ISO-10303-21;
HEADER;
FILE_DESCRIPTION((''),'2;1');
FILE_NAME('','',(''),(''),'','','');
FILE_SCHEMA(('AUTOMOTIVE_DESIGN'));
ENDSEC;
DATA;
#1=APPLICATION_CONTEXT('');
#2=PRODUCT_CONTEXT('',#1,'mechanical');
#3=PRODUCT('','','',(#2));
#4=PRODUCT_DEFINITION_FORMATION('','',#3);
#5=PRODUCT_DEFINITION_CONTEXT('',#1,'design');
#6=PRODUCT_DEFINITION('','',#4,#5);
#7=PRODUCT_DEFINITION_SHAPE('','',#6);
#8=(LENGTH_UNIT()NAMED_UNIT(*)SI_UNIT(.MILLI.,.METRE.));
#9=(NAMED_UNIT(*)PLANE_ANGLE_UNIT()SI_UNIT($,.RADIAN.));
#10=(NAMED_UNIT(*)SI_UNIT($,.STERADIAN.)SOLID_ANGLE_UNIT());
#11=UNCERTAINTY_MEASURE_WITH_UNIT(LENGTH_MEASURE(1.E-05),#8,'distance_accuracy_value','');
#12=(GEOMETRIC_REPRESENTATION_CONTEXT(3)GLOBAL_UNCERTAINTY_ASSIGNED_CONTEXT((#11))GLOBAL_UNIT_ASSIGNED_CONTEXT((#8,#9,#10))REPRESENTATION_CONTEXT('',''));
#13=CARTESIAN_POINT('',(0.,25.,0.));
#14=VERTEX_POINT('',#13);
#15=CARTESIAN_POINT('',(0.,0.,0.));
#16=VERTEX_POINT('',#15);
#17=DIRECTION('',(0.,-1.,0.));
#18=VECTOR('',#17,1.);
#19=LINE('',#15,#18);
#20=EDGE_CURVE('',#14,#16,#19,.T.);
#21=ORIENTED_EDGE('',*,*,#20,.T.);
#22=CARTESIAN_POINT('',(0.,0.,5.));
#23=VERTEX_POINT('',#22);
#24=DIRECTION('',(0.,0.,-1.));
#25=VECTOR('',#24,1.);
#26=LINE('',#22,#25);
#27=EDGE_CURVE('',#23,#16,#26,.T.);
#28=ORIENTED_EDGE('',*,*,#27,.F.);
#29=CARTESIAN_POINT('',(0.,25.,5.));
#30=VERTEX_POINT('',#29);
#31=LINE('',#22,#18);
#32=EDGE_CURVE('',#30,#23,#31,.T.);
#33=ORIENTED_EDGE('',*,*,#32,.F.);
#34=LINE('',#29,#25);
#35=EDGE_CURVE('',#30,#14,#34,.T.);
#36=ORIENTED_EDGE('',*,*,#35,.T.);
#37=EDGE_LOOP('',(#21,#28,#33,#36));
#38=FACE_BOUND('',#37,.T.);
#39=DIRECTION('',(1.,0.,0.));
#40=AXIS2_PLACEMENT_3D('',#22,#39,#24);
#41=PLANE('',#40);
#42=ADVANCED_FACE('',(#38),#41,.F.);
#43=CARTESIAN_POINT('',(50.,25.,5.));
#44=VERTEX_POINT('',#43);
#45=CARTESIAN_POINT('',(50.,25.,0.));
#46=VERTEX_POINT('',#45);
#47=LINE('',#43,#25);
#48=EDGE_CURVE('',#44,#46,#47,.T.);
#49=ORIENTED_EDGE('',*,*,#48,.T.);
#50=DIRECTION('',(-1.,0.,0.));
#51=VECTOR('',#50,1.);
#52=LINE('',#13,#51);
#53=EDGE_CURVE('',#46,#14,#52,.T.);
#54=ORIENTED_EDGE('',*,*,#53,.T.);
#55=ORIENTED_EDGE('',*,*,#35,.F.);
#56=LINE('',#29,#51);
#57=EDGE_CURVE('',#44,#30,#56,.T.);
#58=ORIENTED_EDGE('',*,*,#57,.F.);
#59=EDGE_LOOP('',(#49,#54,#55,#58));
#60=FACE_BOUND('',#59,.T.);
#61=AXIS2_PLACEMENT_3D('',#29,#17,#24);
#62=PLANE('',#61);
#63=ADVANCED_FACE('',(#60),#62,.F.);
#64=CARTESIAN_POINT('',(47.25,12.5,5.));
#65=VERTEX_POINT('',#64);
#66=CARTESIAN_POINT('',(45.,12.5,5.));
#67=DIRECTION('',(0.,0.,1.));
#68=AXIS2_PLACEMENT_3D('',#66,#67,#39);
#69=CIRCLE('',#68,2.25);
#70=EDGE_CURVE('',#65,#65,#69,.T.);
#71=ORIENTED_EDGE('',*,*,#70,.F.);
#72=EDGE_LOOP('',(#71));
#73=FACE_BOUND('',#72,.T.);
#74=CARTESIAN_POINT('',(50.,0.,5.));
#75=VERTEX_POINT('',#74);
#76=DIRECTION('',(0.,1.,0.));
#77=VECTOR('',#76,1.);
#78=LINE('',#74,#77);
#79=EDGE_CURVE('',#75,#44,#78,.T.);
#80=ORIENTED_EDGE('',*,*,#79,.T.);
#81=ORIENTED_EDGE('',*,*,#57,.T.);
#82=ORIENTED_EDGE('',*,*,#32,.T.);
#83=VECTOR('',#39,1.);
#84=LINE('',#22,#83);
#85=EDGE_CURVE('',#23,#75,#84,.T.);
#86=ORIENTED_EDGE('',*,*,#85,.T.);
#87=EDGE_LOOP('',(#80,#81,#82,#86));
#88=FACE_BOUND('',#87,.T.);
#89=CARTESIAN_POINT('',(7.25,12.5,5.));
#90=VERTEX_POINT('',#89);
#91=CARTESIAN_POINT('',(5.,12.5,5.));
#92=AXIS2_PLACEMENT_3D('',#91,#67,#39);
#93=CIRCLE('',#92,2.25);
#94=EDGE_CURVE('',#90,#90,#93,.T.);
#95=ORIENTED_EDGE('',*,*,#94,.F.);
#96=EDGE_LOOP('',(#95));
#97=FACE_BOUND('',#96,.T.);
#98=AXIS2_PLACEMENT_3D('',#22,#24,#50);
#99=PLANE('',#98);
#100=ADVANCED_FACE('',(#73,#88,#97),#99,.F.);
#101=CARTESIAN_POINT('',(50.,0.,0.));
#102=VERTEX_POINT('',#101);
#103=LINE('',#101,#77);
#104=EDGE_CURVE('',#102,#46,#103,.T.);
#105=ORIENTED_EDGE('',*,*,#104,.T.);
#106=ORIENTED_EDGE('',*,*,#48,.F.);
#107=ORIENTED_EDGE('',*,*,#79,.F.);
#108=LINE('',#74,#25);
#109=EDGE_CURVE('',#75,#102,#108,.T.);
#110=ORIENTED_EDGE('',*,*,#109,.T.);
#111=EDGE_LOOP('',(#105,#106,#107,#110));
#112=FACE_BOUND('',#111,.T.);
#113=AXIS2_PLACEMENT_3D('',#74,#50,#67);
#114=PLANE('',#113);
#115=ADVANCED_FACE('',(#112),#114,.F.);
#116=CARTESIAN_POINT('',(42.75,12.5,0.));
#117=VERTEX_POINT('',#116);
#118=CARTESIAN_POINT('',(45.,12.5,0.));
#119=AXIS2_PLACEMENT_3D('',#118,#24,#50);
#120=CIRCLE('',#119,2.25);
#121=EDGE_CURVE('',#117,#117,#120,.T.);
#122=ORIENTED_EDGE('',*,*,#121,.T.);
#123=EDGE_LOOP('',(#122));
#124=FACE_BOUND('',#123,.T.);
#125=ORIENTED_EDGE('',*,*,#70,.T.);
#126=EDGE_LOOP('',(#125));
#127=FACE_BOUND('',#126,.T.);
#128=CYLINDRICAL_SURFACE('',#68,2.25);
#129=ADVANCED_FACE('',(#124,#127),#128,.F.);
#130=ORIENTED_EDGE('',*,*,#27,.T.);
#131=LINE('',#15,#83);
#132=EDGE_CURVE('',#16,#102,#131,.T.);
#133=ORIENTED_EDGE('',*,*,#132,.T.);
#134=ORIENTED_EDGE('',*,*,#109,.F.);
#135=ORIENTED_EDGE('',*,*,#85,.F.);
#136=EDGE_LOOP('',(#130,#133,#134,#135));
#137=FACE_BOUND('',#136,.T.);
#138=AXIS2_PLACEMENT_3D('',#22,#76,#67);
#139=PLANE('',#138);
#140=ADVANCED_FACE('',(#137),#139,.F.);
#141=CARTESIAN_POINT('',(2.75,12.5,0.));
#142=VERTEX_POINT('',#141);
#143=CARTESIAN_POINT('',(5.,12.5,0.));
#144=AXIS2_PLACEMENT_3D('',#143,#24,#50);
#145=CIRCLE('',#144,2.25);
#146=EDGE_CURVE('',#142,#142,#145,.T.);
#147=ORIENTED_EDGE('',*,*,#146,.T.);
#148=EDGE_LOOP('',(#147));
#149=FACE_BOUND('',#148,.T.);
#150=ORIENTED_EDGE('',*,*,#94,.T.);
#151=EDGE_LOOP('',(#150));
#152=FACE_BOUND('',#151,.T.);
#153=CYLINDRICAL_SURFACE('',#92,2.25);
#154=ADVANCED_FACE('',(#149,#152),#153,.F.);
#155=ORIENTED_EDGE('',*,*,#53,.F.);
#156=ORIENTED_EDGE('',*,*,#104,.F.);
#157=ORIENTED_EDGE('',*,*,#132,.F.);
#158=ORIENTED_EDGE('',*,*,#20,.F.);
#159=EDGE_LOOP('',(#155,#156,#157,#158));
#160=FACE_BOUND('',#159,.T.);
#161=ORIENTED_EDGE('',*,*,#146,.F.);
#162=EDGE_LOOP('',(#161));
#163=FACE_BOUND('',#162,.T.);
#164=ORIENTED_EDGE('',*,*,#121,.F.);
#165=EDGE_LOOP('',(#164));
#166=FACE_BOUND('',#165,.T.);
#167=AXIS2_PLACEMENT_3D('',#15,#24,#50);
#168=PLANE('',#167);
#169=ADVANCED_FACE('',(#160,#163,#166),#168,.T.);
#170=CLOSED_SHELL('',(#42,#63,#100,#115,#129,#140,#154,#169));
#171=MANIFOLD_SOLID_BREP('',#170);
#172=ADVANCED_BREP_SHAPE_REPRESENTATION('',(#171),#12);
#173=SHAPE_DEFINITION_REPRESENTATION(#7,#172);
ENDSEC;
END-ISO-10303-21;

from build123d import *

# Parameters (mm, degrees)
SKETCH1_W            = 50
SKETCH1_H            = 25
BOSS_EXTRUDE1_DEPTH  = 5
M4_CLEARANCE_HOLE1_D = 4.5


with BuildPart() as part:
    # Sketch1 → Boss-Extrude1 (new body)
    with BuildSketch(Plane.XY):
        with Locations((25, 12.5)):
            Rectangle(SKETCH1_W, SKETCH1_H)
    extrude(amount=BOSS_EXTRUDE1_DEPTH)

    # M4 Clearance Hole1 (through all)
    with Locations(Plane.XY.offset(5)):
        with Locations((5, 12.5), (45, 12.5)):
            Hole(M4_CLEARANCE_HOLE1_D / 2)


solid = part.part
